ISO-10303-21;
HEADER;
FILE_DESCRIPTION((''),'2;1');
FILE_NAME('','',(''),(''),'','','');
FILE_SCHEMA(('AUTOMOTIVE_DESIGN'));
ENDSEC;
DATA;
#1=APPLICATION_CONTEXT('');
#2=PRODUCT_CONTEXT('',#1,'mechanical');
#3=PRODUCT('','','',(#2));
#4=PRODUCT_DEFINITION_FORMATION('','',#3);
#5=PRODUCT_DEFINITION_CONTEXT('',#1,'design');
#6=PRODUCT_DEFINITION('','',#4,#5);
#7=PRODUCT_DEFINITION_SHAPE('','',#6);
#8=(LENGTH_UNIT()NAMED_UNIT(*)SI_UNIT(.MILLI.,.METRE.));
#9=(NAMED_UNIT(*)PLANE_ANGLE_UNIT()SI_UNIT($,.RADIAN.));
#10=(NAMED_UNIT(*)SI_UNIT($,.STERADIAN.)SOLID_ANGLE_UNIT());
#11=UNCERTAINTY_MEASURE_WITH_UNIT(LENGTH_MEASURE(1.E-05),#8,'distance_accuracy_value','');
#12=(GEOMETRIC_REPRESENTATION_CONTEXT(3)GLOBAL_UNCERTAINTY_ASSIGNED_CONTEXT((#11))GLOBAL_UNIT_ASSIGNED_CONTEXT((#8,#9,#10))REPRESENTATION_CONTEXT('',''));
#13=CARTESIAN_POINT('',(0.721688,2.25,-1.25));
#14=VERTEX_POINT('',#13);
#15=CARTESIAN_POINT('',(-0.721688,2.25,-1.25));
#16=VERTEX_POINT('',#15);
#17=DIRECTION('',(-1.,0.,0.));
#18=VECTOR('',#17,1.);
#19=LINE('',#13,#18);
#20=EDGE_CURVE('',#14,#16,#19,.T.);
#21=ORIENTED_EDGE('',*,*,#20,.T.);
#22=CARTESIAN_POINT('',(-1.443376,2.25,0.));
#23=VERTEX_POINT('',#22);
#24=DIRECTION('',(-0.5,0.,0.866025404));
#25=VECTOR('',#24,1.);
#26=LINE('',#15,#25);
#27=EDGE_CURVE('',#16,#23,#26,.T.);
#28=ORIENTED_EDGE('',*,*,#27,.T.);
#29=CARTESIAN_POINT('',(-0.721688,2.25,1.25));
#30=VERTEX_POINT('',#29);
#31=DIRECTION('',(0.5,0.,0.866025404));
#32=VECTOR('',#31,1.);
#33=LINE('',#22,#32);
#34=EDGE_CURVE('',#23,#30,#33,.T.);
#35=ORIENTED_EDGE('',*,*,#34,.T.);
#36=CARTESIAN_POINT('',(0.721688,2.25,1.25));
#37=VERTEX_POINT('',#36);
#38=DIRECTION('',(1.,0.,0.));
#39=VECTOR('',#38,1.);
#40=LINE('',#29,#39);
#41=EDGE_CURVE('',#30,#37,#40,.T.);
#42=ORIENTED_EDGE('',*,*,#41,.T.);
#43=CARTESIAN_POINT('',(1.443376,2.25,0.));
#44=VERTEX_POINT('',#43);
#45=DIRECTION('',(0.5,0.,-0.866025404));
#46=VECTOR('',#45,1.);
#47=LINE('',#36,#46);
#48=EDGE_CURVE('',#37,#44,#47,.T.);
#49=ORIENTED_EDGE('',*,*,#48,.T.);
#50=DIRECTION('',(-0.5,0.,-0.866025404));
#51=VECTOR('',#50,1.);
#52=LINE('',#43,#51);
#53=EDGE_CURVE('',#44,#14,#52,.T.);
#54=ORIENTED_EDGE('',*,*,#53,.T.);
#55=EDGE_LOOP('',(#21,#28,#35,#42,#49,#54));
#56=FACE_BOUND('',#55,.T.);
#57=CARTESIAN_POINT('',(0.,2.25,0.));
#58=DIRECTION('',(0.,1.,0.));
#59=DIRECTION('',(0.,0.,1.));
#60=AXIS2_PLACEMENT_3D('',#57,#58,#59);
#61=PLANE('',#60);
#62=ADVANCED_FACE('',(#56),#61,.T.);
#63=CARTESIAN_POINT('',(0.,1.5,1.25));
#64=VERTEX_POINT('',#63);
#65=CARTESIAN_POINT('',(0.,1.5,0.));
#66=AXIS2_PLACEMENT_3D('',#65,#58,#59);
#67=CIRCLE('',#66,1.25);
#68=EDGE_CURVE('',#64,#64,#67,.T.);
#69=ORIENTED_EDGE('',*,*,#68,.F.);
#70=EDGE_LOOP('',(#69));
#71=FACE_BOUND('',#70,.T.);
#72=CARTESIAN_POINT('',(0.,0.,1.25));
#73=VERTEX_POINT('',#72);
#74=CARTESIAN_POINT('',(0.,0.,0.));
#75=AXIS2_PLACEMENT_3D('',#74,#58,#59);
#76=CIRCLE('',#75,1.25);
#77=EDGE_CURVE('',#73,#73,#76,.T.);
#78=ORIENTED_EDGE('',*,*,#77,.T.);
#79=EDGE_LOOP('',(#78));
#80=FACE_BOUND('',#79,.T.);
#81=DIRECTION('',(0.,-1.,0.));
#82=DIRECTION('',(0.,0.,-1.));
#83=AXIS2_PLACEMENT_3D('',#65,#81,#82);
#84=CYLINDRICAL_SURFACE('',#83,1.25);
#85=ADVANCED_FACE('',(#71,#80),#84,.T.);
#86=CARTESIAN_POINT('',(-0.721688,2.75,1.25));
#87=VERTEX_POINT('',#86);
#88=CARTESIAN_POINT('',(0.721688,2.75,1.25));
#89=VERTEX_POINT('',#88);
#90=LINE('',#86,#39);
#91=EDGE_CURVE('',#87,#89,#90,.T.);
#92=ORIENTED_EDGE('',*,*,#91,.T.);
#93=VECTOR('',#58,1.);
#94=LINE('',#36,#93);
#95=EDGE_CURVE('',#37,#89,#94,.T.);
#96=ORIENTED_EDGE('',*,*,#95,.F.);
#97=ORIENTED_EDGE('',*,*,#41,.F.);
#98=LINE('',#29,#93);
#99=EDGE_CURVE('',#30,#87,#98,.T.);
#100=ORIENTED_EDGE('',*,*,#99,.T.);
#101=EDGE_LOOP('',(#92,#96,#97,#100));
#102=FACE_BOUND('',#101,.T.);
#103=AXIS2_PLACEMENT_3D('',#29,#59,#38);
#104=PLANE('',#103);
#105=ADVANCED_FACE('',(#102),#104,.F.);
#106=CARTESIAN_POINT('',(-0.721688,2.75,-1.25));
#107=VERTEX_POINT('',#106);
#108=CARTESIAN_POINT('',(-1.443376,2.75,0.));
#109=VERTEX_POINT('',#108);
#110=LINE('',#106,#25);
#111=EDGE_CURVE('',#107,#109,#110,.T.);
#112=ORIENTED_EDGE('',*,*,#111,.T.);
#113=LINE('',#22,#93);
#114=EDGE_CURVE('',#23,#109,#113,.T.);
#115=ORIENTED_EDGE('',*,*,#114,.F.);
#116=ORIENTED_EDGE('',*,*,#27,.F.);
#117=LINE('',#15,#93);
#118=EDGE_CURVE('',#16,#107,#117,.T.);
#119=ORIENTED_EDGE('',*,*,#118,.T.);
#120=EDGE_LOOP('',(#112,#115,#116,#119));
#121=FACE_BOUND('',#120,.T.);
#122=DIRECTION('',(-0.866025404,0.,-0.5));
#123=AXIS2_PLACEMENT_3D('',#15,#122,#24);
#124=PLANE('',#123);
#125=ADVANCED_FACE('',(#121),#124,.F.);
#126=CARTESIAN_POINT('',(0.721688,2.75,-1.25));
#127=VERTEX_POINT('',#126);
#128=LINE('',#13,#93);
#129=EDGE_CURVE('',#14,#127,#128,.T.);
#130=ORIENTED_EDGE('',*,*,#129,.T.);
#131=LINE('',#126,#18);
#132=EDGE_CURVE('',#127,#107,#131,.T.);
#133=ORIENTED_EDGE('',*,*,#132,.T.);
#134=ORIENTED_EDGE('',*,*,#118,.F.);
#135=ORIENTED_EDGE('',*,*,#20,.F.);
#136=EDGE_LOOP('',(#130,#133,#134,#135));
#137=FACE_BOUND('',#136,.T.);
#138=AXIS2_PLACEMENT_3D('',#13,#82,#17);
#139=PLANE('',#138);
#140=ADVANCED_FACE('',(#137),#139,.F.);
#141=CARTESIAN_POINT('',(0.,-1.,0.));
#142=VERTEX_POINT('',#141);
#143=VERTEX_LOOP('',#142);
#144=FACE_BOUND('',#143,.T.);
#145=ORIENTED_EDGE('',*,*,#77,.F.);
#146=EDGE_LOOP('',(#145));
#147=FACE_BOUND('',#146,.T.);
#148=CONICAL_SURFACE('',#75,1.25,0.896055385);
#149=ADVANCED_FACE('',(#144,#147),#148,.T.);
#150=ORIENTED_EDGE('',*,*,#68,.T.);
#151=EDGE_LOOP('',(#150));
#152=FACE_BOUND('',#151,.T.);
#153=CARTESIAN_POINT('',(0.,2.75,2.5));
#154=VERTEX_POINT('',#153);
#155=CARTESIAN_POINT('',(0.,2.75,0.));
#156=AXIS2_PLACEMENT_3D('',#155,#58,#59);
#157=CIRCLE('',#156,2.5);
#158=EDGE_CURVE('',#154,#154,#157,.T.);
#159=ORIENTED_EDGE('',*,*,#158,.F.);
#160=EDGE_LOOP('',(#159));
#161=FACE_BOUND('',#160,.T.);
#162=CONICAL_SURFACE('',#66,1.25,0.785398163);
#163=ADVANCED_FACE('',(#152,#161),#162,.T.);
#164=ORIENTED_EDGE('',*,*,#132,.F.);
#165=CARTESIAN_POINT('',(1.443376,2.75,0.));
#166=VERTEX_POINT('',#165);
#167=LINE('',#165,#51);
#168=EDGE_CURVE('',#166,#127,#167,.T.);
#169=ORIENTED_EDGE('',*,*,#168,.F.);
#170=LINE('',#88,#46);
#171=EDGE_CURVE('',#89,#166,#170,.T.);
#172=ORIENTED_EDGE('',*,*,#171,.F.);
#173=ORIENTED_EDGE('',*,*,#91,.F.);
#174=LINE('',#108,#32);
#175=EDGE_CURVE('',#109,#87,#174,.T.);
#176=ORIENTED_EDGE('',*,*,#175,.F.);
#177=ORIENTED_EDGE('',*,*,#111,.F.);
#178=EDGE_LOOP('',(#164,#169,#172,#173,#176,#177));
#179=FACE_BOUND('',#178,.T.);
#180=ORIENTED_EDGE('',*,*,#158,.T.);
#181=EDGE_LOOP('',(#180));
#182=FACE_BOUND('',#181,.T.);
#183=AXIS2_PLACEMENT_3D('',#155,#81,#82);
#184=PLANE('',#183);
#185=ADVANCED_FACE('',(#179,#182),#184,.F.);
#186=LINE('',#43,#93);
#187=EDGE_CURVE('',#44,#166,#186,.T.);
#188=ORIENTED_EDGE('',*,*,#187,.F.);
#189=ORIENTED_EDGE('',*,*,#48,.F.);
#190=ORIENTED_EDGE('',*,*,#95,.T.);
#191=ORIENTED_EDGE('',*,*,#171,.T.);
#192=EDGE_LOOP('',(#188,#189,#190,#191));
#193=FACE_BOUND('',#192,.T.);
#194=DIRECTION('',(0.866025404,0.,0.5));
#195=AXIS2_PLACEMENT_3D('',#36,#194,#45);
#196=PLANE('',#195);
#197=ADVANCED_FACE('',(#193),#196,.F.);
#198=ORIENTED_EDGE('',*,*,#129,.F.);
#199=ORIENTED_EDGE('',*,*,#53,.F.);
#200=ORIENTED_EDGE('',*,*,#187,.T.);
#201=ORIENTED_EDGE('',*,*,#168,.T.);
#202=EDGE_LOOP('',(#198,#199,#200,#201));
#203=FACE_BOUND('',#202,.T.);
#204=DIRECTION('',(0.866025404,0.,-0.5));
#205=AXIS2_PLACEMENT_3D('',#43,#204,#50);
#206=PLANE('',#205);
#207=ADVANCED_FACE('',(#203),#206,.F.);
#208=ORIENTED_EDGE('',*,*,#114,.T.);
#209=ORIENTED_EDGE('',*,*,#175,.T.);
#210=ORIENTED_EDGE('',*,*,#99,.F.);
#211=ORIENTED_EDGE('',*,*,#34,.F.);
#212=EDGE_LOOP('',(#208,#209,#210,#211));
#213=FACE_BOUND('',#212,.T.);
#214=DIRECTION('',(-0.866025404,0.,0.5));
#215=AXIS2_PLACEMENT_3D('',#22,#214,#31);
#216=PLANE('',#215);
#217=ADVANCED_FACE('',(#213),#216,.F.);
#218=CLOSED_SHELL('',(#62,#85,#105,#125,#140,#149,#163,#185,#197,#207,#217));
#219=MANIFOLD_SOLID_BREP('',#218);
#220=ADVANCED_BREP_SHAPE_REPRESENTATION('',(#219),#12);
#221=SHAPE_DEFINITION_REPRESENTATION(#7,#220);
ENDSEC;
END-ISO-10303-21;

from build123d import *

# Parameters (mm, degrees)
CROQUIS1_R              = 1.25
SALIENTE_EXTRUIR1_DEPTH = 1.5
CORTAR_EXTRUIR1_DEPTH   = 0.5


with BuildPart() as part:
    # Croquis1 → Saliente-Extruir1 (new body)
    with BuildSketch(Plane(origin=(0, 0, 0), x_dir=(1, 0, 0), z_dir=(0, 1, 0))):
        Circle(CROQUIS1_R)
    extrude(amount=SALIENTE_EXTRUIR1_DEPTH)

    # Croquis2 one side → Revolución1 (revolve)
    with BuildSketch(Plane(origin=(0, 0, 0), x_dir=(0, 0, -1), z_dir=(1, 0, 0))):
        Polygon((0, 2.75), (0, 1.5), (1.25, 1.5), (2.5, 2.75), align=None)
    revolve(axis=Axis((0, 2.75, 0), (0, -1, 0)))

    # Croquis3 → Cortar-Extruir1 (cut)
    with BuildSketch(Plane(origin=(0, 2.75, 0), x_dir=(1, 0, 0), z_dir=(0, 1, 0))):
        Polygon((1.443375673, 0), (0.721687836, 1.25), (-0.721687836, 1.25), (-1.443375673, 0), (-0.721687836, -1.25), (0.721687836, -1.25), align=None)
    extrude(amount=-CORTAR_EXTRUIR1_DEPTH, mode=Mode.SUBTRACT)

    # Croquis4 one side → Revolución2 (revolve)
    with BuildSketch(Plane.XY):
        Polygon((0, 0), (0, -1), (1.25, 0), align=None)
    revolve(axis=Axis((0, 0, 0), (0, -1, 0)))


solid = part.part
